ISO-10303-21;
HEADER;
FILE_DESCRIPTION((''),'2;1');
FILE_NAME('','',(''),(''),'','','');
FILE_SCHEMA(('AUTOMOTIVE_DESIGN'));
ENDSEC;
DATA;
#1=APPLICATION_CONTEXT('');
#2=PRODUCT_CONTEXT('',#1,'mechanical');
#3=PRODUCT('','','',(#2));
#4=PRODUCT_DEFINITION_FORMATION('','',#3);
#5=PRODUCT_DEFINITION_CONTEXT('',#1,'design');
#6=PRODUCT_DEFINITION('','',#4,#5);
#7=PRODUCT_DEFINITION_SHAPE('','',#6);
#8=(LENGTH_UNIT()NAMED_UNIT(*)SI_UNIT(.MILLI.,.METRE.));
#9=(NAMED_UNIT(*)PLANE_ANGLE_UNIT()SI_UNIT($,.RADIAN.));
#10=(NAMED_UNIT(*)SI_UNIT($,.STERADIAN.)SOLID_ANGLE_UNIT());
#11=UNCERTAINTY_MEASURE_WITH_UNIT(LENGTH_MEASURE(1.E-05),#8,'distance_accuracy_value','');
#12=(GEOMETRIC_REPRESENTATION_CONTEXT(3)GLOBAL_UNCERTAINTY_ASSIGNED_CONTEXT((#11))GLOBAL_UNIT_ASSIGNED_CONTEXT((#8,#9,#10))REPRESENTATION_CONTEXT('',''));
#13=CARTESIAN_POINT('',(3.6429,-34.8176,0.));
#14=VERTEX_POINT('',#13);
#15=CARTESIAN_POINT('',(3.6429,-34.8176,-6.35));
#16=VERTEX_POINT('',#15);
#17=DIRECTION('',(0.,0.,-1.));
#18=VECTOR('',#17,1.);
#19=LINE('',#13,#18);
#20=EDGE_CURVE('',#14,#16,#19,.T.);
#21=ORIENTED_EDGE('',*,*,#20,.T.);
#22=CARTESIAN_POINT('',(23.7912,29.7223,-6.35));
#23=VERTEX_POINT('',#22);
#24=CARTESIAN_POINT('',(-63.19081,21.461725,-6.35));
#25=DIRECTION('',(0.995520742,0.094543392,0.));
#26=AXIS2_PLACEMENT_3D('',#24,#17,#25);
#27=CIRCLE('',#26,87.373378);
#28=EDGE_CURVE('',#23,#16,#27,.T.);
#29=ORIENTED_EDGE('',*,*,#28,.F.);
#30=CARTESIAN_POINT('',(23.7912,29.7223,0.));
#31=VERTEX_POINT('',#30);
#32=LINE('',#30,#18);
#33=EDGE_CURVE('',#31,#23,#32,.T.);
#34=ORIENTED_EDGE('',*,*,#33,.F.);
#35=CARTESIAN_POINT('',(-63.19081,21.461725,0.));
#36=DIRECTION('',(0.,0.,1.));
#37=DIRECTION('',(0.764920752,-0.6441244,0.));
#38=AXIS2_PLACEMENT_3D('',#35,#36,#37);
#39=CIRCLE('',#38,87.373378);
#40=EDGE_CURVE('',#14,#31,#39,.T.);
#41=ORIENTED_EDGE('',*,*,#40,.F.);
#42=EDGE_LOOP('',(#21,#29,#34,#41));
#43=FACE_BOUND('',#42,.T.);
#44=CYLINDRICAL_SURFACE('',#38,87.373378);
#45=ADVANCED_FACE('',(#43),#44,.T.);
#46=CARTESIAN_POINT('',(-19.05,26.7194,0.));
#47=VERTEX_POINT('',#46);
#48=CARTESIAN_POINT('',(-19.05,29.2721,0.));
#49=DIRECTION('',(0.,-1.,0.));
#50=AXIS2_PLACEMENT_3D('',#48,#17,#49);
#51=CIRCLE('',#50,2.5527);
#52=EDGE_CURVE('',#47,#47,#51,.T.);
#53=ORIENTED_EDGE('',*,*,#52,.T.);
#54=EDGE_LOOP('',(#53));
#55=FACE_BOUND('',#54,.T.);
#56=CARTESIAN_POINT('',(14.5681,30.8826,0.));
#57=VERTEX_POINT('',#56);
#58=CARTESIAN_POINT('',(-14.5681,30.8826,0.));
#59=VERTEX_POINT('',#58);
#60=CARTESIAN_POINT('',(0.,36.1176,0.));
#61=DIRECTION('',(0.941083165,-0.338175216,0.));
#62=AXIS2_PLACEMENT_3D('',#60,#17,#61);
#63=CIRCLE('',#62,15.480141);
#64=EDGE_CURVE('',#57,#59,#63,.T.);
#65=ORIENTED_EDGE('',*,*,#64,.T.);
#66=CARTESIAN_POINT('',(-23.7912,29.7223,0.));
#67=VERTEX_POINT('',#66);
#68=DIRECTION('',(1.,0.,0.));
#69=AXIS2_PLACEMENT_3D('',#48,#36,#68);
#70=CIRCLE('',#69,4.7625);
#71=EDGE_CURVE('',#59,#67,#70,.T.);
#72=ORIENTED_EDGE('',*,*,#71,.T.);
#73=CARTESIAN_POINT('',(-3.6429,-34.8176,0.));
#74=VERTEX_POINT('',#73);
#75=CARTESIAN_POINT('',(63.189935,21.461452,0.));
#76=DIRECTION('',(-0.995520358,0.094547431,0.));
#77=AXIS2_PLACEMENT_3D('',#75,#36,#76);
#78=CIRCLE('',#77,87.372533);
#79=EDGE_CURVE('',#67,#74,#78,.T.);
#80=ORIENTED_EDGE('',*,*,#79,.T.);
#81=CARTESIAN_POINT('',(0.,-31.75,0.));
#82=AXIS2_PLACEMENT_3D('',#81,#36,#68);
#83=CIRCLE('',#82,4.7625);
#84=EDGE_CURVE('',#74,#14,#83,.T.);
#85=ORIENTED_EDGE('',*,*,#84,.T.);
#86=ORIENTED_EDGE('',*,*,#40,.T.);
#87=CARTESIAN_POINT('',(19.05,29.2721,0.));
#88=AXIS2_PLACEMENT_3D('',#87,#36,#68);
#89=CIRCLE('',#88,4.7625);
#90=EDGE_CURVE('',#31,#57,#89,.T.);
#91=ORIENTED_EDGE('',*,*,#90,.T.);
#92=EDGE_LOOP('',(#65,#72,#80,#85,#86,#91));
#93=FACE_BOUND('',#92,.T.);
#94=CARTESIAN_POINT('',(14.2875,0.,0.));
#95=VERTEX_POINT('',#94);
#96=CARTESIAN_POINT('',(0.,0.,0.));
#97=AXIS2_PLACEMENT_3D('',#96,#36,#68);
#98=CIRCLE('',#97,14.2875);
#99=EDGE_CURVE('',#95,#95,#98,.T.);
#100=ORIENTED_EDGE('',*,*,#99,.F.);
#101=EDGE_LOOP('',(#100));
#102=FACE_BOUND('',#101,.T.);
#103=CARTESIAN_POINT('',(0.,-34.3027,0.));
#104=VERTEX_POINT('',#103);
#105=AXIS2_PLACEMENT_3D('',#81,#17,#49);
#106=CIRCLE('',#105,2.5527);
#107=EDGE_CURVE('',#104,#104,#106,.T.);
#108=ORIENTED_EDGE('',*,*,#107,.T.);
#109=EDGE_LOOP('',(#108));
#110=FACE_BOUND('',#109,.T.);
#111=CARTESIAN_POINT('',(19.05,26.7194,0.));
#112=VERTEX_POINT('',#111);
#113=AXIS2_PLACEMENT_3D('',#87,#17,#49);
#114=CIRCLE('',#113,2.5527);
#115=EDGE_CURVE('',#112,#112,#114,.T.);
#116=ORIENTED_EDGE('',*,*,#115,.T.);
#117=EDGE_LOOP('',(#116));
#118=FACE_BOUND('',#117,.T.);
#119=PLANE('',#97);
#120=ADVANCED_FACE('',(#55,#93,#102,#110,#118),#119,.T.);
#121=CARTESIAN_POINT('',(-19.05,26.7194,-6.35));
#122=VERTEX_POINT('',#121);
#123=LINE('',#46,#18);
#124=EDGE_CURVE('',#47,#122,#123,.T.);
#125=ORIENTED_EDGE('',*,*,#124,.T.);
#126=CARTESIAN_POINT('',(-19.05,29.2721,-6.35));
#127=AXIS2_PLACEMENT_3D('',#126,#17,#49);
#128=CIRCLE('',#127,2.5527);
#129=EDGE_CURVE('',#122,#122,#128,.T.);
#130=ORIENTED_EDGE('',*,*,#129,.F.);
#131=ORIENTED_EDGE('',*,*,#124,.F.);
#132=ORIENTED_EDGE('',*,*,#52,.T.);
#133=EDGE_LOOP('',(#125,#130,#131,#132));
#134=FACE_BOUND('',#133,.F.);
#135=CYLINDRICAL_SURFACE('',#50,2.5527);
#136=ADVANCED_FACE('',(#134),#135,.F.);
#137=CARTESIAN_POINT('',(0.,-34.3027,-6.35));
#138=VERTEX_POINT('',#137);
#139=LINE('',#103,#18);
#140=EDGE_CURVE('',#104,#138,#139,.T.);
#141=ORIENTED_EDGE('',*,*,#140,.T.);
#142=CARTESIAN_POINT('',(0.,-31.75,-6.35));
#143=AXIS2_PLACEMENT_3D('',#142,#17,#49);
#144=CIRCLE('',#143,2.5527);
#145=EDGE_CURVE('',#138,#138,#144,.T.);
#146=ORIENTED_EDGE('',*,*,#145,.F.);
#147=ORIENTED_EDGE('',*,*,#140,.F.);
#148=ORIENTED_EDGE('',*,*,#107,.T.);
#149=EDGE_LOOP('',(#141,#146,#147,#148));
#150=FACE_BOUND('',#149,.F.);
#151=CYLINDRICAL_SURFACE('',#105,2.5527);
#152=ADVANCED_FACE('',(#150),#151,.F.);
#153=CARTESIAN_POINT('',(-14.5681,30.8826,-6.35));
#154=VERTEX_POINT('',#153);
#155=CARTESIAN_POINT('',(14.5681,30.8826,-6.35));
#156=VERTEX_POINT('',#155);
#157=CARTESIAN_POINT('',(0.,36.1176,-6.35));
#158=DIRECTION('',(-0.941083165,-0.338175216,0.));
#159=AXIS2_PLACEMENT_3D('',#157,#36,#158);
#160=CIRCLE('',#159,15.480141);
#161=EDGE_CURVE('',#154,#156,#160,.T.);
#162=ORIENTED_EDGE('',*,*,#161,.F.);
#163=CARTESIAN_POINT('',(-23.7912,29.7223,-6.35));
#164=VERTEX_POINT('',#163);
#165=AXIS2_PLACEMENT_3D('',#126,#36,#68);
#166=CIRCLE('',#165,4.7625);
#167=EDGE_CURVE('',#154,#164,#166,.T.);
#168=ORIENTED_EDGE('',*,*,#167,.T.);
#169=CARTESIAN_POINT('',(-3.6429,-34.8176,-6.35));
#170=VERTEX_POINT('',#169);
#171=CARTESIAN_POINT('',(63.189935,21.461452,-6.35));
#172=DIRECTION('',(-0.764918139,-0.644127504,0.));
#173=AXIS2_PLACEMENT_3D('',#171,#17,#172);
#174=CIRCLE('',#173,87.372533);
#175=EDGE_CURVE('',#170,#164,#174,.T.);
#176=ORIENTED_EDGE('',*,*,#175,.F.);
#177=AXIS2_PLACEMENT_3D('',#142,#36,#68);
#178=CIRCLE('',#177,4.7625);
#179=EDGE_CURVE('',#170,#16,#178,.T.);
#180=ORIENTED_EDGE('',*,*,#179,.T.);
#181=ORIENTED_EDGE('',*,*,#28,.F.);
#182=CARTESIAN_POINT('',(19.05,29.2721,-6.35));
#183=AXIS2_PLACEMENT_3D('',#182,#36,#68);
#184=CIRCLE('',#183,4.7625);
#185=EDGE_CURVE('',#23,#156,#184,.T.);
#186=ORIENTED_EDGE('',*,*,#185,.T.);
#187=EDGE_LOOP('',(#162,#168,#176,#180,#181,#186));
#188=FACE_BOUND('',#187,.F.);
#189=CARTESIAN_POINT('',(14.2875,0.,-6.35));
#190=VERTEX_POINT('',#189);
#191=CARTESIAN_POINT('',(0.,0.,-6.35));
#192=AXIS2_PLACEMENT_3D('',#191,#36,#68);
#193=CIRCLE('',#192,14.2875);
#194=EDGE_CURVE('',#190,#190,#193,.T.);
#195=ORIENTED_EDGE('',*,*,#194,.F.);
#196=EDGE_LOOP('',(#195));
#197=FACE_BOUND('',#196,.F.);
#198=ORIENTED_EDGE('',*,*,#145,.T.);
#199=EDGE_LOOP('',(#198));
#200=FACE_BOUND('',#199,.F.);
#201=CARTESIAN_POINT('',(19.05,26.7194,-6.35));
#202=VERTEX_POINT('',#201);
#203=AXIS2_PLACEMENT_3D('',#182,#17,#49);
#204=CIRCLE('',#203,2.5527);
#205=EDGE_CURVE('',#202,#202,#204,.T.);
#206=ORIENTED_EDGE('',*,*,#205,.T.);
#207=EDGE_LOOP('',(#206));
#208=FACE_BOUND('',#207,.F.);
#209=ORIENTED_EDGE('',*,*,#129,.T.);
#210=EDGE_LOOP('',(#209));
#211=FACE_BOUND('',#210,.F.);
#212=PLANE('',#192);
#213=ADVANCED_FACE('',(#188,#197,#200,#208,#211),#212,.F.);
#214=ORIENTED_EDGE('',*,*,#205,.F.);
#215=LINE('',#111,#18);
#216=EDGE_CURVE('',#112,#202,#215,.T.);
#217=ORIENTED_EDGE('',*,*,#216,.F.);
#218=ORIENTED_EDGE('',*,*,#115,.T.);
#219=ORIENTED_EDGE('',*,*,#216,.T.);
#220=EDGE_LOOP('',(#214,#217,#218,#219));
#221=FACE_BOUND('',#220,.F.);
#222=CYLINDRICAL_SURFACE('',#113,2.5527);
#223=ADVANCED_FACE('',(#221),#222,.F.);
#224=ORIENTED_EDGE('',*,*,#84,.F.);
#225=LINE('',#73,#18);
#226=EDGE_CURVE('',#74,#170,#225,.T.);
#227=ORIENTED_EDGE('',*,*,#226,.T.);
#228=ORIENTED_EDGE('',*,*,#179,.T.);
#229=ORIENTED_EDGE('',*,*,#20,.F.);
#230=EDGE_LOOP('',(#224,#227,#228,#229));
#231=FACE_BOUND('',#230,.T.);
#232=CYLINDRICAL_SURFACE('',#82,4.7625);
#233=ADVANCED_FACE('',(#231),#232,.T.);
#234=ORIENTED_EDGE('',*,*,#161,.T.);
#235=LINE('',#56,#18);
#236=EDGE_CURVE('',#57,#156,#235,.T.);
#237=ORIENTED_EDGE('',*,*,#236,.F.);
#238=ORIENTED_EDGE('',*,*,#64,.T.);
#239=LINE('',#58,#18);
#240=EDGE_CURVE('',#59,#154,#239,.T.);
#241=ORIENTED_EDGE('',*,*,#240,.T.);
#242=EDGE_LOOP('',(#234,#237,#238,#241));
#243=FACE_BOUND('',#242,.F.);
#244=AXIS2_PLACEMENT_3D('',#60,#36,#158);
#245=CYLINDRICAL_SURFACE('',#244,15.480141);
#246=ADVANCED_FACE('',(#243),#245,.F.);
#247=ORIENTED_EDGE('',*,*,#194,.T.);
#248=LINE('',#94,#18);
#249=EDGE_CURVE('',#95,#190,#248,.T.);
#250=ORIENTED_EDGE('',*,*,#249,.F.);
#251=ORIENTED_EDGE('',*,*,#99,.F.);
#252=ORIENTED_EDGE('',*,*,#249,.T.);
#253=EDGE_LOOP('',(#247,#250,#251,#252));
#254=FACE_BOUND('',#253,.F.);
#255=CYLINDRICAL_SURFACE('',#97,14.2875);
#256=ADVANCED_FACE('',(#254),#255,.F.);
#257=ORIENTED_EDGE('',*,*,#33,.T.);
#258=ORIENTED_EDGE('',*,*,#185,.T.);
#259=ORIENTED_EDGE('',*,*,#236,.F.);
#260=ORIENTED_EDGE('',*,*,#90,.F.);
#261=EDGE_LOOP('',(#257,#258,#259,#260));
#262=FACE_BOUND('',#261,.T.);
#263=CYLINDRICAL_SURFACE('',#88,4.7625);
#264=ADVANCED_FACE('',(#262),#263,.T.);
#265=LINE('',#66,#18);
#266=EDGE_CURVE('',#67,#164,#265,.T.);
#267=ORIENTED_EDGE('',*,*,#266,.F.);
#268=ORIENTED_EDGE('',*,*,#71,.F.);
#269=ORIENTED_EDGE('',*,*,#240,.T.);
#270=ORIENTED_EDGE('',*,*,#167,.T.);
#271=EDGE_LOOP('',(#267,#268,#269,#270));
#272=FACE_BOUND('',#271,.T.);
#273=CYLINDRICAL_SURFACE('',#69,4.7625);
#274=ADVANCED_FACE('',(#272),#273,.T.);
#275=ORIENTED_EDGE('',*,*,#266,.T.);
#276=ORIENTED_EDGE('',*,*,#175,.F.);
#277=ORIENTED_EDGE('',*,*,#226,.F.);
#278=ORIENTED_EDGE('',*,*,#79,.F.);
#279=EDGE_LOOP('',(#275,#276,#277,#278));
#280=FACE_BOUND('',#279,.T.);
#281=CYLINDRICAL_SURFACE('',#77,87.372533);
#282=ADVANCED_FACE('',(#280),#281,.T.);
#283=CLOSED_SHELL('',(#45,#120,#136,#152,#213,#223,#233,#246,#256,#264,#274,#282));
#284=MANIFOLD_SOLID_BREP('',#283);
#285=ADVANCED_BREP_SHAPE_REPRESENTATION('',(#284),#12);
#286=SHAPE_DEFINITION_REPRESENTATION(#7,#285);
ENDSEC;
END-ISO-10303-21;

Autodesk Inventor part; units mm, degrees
ref_plane "YZ Plane" through (0, 0, 0) normal (1, 0, 0) x (0, 1, 0)
ref_plane "XZ Plane" through (0, 0, 0) normal (0, 1, 0) x (-1, 0, 0)
ref_plane "XY Plane" through (0, 0, 0) normal (0, 0, 1) x (1, 0, 0)
sketch "Sketch1" plane through (0, 0, 0) normal (0, 0, 1) x (1, 0, 0)
  circle A0 centre (0, 0) radius 14.2875
  circle A1 centre (0, 0) radius 20.6375
  circle A2 centre (0, -31.75) radius 4.7625
  circle A3 centre (-19.05, 29.2721) radius 4.7625
  circle A4 centre (19.05, 29.2721) radius 4.7625
  arc A5 (-23.7912, 29.7223) -> (-3.6429, -34.8176) centre (63.1904, 21.4615) ccw
  arc A6 (3.6429, -34.8176) -> (23.7912, 29.7223) centre (-63.1904, 21.4615) ccw
  arc A7 (-14.5681, 30.8826) -> (14.5681, 30.8826) centre (0, 36.1176) ccw
  dimension "d0" = 28.575
  dimension "d1" = 6.35
  dimension "d2" = 9.525
  dimension "d3" = 9.525
  dimension "d4" = 9.525
  dimension "d7" = 6.35
  dimension "d8" = 9.525
  dimension "d9" = 9.525
  dimension "d13" = 19.05
extrude "Extrusion1" add sketch "Sketch1" against normal blind 6.35
hole "Hole1" at (0, 0, 0) at (-19.05, 29.2721, 0) at (19.05, 29.2721, 0) at (0, -31.75, 0) direction (0, 0, -1) diameter 5.1054 end through all clearance for "Flat Head Machine Screw (82)" size "#10" standard "Ansi Unified Screw Threads"
properties part number "GP5-027" material "Aluminum 6061"
